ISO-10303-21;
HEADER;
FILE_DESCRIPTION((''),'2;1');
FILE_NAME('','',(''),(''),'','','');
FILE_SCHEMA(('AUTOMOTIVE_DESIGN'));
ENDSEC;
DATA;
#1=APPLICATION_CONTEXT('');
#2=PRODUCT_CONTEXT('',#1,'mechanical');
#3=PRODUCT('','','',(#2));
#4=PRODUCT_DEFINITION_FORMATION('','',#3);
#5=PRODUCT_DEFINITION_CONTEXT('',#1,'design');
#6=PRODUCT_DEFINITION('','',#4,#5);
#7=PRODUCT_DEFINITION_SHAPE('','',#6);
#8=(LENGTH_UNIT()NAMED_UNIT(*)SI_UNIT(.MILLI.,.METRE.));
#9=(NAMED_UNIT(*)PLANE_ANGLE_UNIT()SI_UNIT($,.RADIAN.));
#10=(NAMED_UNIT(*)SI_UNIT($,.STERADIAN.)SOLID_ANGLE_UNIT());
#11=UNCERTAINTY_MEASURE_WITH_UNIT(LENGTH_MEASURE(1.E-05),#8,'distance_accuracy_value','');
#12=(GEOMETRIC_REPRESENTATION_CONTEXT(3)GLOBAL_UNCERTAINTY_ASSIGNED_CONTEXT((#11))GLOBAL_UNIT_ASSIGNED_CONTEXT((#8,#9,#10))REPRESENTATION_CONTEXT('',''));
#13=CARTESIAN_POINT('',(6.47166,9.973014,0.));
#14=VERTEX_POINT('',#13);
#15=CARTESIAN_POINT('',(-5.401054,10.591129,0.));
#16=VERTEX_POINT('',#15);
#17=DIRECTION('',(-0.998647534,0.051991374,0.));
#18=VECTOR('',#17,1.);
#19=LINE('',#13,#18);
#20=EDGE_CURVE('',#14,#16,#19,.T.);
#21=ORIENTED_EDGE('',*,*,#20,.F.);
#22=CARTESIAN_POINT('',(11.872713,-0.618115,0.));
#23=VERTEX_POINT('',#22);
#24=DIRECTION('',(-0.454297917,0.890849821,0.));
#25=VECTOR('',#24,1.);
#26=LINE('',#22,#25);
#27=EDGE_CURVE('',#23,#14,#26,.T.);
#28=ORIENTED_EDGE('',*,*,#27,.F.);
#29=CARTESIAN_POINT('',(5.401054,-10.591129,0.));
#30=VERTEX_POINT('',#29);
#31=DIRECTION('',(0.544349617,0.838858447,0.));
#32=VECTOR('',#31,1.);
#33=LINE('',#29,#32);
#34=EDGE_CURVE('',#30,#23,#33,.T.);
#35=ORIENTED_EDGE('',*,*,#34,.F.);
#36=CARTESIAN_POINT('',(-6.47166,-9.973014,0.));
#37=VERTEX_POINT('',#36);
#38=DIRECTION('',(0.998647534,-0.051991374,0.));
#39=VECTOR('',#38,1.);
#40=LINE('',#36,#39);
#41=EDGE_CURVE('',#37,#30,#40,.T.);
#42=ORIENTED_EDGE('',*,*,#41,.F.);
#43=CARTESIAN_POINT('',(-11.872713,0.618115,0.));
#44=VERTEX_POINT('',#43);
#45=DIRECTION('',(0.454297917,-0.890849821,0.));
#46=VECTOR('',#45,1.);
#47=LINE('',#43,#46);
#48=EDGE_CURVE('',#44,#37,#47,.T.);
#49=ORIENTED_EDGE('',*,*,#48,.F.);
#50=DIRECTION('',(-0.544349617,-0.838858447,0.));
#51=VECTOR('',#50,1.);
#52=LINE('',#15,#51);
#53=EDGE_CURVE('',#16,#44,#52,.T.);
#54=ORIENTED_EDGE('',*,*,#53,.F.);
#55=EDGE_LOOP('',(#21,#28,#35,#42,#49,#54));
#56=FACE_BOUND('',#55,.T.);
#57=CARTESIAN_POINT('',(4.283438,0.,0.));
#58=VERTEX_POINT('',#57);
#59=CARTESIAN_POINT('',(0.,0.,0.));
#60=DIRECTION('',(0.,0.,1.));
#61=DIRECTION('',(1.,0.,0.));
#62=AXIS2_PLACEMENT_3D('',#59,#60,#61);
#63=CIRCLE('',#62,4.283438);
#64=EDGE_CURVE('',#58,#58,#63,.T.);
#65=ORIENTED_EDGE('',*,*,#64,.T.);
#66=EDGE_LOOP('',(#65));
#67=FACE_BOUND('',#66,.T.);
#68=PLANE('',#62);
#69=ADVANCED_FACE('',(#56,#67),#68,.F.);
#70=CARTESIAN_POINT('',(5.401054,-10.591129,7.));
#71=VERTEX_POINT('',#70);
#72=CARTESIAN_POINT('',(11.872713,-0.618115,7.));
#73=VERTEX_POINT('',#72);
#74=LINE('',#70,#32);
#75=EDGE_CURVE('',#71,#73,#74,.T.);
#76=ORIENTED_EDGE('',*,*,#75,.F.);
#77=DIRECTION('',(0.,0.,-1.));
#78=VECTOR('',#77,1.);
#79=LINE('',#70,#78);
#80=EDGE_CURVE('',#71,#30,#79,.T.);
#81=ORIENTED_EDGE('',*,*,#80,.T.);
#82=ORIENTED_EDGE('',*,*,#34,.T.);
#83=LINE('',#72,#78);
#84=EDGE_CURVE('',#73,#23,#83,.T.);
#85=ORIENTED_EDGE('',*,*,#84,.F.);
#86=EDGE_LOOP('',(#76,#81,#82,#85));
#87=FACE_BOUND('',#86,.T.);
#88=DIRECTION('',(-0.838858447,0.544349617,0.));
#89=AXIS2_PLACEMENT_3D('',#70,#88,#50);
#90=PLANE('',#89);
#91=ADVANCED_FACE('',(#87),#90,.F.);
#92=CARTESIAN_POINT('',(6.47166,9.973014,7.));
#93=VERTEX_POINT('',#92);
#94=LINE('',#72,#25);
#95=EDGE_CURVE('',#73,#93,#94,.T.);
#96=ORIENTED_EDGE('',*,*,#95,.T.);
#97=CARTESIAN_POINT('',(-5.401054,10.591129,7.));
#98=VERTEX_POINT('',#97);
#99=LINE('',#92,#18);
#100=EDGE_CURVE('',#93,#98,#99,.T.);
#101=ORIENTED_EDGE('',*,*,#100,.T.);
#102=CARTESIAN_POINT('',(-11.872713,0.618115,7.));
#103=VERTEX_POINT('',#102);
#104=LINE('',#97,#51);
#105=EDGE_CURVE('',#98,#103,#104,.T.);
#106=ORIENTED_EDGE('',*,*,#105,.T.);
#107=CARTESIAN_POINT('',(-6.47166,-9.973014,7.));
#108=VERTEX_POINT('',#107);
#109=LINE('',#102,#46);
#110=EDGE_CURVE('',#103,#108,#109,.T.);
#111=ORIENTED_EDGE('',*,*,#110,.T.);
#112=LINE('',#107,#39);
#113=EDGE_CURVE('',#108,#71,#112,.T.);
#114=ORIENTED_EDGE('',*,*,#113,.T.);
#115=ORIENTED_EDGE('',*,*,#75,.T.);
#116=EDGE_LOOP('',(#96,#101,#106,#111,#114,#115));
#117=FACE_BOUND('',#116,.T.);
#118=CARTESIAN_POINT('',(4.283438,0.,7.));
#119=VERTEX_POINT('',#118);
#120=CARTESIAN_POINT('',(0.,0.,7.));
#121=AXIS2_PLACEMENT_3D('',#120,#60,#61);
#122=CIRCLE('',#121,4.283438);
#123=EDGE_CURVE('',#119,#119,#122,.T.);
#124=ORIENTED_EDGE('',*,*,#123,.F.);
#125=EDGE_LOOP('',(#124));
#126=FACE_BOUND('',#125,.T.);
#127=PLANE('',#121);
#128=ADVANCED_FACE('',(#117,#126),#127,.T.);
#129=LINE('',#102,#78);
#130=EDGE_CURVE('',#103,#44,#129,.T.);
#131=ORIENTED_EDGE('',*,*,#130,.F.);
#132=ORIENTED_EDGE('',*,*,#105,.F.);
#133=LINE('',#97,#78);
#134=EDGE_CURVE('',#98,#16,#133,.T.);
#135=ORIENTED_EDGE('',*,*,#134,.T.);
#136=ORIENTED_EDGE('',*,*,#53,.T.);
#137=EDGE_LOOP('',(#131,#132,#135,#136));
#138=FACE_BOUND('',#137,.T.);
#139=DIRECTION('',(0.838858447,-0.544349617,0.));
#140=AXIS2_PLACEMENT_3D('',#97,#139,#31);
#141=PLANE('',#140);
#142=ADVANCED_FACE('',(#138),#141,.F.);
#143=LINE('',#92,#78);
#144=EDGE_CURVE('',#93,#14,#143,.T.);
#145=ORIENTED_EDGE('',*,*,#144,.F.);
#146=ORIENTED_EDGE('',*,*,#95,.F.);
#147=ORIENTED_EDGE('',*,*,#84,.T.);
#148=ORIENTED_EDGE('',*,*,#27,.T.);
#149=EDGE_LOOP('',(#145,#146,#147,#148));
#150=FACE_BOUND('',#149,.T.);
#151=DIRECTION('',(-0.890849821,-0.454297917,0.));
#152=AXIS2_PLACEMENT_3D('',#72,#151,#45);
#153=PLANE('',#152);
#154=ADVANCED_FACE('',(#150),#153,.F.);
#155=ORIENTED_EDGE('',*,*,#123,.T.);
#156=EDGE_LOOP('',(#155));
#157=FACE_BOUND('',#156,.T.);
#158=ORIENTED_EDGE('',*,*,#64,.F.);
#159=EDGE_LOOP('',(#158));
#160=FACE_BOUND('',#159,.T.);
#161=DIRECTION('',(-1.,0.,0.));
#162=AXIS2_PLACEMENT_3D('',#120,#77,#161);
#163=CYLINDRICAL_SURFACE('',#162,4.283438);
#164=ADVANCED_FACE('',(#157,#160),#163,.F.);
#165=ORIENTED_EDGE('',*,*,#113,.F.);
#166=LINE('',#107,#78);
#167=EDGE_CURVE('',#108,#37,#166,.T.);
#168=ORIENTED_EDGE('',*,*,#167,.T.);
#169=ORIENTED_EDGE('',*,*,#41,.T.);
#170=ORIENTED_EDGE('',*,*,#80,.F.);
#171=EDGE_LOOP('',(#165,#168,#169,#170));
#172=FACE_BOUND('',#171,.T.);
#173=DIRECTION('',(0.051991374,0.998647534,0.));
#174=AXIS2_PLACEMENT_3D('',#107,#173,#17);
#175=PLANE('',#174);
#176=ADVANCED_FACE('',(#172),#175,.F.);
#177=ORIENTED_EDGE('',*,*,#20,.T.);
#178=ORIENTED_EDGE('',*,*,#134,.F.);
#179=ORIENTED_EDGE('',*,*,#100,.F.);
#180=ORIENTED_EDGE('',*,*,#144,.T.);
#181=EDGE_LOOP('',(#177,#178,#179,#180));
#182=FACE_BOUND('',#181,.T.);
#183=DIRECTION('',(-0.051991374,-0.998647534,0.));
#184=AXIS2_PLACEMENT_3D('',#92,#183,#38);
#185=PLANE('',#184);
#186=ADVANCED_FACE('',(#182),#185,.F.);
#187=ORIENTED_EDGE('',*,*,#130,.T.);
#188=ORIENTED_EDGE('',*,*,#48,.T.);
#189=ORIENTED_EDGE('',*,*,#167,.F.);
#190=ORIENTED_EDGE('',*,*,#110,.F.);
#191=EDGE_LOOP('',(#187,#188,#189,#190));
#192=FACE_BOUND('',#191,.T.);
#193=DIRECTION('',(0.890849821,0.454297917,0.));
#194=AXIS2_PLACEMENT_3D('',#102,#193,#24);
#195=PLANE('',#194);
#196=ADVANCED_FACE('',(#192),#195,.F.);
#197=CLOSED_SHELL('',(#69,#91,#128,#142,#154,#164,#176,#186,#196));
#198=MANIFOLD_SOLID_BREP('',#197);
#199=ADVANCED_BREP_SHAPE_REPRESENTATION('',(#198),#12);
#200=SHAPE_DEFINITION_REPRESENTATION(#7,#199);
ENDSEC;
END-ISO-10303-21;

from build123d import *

# Parameters (mm, degrees)
SKETCH1_R           = 4.283438414
BOSS_EXTRUDE1_DEPTH = 7


with BuildPart() as part:
    # Sketch1 → Boss-Extrude1 (new body)
    with BuildSketch(Plane.XY):
        Polygon((5.401053743, -10.591128823), (11.872713487, -0.618114663), (6.471659745, 9.97301416), (-5.401053743, 10.591128823), (-11.872713487, 0.618114663), (-6.471659745, -9.97301416), align=None)
        Circle(SKETCH1_R, mode=Mode.SUBTRACT)
    extrude(amount=BOSS_EXTRUDE1_DEPTH)


solid = part.part
